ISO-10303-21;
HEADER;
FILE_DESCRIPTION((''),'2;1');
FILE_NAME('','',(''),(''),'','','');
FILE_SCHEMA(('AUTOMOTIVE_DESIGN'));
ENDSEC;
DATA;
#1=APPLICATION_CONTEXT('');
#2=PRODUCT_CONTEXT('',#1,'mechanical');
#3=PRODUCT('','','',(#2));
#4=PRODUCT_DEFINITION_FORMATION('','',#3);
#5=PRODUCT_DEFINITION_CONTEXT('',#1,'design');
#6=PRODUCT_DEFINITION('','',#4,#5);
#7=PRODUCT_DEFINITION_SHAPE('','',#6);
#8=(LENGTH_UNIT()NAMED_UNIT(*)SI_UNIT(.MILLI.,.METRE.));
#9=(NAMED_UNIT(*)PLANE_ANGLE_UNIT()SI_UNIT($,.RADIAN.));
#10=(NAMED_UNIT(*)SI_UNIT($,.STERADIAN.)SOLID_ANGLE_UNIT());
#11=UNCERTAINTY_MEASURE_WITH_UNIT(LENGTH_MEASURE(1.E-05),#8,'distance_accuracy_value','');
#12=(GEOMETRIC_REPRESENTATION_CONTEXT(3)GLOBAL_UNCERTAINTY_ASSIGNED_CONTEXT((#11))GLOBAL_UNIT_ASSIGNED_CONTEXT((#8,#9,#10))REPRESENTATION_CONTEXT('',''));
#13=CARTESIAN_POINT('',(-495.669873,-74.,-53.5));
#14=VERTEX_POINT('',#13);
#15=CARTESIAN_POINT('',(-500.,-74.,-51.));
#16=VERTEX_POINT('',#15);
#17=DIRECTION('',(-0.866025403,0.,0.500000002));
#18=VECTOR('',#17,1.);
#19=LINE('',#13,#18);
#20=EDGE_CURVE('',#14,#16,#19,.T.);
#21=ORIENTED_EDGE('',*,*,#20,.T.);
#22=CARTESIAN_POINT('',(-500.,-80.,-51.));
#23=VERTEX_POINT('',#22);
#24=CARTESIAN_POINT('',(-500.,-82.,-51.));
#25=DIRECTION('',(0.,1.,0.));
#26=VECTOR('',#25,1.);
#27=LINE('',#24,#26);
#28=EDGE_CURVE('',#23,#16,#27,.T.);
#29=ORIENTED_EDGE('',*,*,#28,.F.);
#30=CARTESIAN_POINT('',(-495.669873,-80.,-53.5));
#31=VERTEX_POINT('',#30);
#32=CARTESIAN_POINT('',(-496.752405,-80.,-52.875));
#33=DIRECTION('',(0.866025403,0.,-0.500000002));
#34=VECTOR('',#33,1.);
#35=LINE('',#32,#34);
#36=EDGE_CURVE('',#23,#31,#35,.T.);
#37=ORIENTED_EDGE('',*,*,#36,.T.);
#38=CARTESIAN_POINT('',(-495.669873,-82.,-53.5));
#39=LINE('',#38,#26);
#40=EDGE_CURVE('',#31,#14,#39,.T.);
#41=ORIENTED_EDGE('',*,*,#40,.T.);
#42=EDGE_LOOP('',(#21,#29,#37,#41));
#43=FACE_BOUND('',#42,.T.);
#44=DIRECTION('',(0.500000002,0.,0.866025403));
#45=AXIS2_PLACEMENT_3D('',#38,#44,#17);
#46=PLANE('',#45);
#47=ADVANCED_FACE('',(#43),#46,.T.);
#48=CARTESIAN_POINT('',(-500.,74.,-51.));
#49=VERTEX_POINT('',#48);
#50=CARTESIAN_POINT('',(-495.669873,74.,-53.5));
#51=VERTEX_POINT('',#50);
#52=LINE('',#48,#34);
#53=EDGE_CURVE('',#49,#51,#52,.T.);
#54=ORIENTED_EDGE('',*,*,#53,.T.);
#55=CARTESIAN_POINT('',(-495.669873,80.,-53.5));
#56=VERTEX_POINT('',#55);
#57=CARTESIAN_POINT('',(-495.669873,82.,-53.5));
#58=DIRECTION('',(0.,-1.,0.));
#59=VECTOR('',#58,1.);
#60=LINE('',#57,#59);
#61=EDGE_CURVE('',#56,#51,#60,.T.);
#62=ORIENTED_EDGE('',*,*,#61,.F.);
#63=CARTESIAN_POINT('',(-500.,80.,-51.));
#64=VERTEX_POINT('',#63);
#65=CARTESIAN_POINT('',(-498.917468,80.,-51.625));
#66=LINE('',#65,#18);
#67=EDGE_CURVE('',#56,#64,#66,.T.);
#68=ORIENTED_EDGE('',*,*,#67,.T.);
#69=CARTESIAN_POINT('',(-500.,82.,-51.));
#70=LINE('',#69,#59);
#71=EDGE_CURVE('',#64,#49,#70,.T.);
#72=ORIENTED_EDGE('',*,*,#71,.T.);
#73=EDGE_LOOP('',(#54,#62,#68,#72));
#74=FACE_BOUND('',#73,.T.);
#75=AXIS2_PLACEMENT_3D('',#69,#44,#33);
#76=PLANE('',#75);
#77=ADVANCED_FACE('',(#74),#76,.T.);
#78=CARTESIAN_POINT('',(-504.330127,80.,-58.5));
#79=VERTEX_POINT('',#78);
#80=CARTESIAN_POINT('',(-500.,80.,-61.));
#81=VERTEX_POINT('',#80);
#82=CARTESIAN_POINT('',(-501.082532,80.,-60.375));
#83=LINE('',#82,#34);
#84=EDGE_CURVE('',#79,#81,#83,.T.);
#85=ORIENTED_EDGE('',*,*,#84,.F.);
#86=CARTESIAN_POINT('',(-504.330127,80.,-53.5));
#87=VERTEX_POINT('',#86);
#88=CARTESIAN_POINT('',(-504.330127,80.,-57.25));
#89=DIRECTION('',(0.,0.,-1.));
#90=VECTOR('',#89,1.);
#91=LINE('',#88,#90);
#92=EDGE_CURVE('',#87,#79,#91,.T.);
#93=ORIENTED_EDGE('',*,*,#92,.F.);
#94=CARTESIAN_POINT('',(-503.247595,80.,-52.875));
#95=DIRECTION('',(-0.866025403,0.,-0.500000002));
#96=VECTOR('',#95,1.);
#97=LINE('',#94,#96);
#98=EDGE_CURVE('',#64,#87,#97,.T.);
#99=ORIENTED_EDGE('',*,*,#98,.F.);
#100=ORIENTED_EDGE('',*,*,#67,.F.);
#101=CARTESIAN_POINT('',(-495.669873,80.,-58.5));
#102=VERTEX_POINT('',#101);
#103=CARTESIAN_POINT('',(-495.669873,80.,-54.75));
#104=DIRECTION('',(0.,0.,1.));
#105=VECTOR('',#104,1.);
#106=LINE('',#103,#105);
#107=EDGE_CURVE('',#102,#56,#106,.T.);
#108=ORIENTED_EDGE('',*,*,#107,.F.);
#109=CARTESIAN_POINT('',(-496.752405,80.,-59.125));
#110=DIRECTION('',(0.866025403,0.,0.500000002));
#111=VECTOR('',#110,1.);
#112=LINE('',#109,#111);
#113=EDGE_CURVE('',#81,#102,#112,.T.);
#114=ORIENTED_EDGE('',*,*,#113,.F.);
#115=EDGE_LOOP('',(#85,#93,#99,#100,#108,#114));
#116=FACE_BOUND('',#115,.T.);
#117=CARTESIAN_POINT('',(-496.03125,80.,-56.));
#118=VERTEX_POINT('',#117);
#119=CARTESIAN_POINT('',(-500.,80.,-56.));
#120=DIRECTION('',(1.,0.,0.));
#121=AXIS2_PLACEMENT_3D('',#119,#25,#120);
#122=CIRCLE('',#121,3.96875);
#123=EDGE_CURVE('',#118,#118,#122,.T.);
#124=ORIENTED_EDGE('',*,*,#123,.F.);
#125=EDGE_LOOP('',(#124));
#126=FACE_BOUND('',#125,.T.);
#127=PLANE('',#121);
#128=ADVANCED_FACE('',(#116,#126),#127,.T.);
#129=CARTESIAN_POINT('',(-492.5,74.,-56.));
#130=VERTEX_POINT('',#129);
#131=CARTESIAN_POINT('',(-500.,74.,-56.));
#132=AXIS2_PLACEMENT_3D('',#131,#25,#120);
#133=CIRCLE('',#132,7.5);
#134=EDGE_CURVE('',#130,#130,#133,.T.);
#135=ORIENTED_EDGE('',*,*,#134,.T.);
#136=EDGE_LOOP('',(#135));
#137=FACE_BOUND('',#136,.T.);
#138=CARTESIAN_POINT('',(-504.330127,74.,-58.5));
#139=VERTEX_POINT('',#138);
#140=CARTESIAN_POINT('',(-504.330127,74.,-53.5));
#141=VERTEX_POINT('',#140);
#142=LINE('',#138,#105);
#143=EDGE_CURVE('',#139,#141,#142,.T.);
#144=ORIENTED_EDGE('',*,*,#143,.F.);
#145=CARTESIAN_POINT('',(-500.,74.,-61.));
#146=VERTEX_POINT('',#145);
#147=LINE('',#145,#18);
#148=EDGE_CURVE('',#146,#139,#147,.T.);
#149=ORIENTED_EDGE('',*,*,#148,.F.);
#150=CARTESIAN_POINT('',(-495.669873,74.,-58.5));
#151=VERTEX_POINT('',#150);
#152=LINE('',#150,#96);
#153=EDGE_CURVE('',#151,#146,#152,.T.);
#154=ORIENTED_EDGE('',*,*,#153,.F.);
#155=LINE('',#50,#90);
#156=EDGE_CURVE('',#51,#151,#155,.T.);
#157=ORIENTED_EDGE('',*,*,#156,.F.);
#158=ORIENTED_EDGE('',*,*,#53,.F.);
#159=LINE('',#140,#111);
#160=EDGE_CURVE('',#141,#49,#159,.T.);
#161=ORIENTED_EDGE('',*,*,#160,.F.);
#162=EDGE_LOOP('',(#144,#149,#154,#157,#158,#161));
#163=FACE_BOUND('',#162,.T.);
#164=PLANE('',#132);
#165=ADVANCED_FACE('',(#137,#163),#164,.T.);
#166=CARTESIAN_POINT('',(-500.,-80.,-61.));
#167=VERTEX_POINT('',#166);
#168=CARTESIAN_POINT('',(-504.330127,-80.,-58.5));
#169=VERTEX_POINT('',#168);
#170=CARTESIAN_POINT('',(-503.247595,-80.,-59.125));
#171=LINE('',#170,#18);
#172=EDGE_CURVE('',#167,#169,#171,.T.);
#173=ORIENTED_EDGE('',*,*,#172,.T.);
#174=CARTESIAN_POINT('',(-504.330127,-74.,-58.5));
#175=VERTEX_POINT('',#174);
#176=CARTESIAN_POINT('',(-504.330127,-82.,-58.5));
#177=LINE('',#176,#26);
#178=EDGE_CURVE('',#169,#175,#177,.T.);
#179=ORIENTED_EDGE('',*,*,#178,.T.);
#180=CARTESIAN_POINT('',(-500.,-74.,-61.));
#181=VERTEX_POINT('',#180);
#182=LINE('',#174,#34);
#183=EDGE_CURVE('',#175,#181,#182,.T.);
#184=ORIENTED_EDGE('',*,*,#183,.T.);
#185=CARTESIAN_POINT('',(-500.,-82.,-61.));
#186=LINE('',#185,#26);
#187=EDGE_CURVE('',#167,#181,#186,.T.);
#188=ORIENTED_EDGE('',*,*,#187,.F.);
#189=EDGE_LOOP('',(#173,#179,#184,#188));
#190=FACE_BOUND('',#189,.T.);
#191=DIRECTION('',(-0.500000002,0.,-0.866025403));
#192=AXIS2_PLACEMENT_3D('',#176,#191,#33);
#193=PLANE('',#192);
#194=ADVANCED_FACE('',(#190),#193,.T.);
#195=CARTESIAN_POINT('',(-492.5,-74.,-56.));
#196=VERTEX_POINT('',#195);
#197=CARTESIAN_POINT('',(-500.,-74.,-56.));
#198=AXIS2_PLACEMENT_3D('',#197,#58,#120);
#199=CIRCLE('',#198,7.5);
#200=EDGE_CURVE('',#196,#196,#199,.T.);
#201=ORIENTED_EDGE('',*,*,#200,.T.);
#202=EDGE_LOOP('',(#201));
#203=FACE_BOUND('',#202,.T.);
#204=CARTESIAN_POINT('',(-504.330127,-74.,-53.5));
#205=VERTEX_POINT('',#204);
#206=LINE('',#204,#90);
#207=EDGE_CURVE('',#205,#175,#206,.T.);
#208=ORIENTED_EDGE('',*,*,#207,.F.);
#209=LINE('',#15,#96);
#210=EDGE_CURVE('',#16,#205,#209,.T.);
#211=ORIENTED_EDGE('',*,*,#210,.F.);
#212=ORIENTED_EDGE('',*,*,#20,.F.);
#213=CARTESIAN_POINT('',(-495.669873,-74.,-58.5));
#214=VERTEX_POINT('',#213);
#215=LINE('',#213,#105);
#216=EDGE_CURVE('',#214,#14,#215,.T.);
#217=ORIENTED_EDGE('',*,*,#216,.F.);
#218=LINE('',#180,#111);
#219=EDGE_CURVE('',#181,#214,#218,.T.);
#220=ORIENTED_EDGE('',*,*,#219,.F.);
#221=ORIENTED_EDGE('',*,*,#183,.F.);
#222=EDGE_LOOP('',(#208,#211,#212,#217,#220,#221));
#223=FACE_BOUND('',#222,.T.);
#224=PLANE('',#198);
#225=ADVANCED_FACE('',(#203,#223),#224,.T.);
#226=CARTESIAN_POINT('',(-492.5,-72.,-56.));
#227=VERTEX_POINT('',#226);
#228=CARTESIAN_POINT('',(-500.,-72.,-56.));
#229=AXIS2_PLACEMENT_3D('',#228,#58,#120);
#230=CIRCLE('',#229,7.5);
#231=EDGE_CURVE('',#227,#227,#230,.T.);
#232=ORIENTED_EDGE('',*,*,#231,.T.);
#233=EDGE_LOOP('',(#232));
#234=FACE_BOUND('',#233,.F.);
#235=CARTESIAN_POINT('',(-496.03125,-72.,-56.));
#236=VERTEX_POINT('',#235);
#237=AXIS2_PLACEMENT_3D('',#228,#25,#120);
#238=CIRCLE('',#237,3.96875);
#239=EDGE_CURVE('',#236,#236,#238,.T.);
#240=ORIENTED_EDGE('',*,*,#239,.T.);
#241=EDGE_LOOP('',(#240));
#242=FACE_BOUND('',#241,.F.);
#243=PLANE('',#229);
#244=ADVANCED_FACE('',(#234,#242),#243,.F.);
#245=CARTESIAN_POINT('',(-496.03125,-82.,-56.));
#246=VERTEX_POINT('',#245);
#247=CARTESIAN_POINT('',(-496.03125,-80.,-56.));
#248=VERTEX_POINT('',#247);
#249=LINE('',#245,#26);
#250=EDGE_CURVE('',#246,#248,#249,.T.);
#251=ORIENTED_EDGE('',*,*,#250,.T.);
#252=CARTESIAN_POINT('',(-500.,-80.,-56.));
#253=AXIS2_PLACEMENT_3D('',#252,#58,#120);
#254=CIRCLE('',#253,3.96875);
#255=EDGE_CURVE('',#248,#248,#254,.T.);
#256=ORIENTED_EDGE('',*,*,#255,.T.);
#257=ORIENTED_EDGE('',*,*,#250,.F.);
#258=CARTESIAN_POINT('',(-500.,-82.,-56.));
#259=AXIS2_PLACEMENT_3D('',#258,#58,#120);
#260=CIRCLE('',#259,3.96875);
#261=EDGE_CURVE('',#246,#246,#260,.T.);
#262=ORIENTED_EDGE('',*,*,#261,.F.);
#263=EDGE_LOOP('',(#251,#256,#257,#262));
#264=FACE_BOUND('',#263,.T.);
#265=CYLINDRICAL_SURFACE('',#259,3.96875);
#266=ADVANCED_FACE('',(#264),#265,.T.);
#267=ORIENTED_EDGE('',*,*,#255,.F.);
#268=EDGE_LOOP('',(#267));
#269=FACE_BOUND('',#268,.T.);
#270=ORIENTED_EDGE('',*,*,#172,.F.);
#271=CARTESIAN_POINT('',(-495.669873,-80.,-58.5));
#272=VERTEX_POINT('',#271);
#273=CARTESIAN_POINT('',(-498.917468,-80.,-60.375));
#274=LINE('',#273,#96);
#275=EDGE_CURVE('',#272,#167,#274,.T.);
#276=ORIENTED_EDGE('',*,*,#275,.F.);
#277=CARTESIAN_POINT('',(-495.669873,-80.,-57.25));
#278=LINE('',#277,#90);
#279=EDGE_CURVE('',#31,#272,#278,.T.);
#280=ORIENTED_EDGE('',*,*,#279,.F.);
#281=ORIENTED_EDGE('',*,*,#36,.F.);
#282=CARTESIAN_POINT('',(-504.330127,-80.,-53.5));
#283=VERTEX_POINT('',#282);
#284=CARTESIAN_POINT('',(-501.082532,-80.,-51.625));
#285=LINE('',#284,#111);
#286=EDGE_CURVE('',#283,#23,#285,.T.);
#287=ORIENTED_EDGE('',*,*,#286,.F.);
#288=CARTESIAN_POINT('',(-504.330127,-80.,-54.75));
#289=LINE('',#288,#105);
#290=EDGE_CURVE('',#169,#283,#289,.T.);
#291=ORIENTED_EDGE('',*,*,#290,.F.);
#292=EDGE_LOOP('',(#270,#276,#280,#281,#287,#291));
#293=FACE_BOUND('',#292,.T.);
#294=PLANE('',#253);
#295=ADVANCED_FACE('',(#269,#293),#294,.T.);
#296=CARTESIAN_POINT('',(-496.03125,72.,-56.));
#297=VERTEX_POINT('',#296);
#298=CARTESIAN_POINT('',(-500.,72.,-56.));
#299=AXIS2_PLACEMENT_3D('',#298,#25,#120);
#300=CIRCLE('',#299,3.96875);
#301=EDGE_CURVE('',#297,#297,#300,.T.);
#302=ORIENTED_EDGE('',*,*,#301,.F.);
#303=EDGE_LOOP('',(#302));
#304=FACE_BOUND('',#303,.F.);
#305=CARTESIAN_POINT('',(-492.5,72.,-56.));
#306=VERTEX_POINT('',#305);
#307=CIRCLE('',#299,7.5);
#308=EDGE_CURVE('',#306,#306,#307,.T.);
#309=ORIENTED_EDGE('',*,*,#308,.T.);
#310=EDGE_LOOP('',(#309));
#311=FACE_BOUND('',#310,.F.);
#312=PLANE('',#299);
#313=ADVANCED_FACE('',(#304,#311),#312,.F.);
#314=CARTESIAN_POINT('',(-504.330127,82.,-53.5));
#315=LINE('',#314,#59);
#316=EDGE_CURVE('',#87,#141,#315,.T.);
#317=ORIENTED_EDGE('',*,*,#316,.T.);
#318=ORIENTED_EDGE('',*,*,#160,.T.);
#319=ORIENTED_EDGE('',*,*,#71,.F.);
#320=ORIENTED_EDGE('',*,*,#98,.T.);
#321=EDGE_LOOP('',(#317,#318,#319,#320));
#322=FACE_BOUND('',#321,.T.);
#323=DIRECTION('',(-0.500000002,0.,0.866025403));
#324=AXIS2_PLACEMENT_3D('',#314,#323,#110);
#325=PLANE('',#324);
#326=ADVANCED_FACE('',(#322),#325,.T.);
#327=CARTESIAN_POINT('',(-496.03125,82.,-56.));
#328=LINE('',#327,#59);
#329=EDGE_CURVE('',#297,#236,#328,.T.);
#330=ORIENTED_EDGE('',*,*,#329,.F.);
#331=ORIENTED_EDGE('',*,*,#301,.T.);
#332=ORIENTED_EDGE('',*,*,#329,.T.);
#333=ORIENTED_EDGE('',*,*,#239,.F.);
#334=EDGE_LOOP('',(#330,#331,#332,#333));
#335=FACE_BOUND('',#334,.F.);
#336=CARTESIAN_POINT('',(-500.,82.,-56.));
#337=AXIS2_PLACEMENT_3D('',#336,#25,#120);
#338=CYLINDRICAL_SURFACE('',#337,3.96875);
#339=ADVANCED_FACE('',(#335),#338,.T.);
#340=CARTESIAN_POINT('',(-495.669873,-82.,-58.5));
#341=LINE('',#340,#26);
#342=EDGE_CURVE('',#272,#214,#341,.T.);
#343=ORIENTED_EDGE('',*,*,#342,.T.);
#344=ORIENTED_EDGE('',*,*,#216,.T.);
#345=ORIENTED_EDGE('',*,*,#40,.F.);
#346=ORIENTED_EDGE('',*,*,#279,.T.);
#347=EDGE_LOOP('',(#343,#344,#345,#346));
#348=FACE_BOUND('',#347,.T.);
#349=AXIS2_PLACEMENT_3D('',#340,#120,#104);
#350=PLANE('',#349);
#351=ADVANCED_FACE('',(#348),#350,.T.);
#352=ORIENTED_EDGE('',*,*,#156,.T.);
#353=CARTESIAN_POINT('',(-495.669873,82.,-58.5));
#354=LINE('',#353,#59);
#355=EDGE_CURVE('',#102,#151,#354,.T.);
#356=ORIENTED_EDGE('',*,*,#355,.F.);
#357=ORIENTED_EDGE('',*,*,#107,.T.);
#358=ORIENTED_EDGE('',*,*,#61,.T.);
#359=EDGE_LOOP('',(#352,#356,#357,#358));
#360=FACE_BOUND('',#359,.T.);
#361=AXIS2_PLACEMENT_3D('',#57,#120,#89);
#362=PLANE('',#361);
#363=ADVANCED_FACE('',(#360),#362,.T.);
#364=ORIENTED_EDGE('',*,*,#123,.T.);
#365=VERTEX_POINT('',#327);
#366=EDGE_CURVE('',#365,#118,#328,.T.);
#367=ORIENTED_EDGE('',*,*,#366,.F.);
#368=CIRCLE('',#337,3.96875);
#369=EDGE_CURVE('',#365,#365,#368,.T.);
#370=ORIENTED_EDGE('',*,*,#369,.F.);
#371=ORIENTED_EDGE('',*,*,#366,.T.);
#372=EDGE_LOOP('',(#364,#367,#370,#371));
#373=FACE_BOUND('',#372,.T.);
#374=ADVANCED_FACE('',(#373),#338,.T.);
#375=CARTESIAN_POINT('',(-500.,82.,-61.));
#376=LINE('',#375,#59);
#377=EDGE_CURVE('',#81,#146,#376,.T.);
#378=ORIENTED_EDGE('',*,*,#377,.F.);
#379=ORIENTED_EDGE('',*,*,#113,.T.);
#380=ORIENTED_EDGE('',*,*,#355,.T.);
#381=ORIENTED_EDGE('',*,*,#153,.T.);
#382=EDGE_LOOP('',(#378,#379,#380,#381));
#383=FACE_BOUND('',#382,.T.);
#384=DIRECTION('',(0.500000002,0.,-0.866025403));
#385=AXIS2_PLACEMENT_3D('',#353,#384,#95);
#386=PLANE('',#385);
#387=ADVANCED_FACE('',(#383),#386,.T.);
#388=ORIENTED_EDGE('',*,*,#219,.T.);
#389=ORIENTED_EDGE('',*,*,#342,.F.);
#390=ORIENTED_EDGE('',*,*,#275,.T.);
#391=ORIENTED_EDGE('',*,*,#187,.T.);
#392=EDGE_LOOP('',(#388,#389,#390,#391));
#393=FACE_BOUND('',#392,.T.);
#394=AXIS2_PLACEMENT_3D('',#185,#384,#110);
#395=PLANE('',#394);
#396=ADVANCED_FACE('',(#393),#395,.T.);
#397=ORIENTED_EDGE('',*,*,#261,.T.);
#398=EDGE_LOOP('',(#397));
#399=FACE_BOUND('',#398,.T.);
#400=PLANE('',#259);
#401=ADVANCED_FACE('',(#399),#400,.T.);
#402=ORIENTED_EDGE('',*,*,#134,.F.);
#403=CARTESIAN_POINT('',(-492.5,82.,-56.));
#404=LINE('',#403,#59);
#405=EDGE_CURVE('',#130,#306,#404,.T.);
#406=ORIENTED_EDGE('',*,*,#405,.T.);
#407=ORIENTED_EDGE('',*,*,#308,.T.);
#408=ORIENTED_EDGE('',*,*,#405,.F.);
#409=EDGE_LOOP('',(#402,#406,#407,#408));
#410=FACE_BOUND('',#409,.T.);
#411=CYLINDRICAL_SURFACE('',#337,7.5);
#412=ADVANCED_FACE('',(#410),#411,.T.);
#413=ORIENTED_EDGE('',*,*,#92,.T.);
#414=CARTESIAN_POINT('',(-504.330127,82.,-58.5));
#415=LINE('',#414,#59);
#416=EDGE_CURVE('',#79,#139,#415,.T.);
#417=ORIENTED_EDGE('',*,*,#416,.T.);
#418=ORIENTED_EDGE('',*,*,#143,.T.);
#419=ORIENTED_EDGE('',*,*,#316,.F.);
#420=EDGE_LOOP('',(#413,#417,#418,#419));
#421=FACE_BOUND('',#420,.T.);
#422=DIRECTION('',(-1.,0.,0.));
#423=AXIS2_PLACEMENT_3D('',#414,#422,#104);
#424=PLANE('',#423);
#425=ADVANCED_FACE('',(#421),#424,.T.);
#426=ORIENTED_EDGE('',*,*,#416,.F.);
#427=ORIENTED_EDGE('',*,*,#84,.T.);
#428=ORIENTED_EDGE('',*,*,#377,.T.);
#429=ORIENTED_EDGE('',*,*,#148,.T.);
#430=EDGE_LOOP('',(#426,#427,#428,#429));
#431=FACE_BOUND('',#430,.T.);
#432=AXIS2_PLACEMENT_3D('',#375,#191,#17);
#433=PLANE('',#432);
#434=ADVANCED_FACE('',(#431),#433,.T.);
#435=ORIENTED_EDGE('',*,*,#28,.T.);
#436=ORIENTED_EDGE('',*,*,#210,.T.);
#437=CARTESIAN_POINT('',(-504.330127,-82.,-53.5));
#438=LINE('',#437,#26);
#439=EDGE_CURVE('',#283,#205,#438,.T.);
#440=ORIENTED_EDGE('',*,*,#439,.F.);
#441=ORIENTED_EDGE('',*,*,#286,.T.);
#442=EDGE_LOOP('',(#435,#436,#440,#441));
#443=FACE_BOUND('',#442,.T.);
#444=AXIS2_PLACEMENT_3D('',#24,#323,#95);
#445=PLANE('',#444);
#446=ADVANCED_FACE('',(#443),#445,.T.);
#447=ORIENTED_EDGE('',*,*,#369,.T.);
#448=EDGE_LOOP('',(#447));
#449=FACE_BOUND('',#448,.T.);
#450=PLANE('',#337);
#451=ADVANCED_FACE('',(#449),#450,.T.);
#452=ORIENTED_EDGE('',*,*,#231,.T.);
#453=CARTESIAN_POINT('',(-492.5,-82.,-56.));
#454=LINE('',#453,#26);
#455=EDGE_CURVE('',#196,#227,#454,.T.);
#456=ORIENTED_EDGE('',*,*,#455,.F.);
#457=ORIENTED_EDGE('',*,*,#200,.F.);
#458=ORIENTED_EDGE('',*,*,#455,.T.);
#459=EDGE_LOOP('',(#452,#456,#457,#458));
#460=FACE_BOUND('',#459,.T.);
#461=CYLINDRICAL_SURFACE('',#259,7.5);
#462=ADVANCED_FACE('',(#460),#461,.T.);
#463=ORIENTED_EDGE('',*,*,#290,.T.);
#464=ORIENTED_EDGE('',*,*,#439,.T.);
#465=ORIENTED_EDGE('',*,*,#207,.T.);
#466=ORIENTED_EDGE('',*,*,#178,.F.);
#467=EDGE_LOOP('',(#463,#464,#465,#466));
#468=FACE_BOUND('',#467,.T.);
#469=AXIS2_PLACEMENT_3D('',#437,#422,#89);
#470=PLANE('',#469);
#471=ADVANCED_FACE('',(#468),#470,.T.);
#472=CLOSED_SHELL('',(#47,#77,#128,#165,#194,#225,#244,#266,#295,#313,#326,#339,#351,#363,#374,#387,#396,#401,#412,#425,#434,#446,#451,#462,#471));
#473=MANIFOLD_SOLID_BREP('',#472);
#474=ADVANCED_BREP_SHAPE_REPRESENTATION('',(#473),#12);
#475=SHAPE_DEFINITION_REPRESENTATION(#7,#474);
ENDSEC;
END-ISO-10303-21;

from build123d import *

# Parameters (mm, degrees)
SKETCH013_R     = 3.96875
PAD009_DEPTH    = 164
SKETCH014_R     = 7.5
PAD010_DEPTH    = 10
SKETCH015_R     = 7.5
POCKET003_DEPTH = 8
SKETCH016_R     = 7.5
SKETCH016_R_2   = 3.96875
POCKET004_DEPTH = 2
SKETCH017_R     = 7.5
PAD011_DEPTH    = 10
SKETCH018_R     = 7.5
POCKET005_DEPTH = 8
SKETCH019_R     = 7.5
SKETCH019_R_2   = 3.96875
POCKET006_DEPTH = 2


with BuildPart() as part:
    # Sketch013 → Pad009 (new body)
    with BuildSketch(Plane(origin=(500, 82, 56), x_dir=(1, 0, 0), z_dir=(0, -1, 0))):
        Circle(SKETCH013_R)
    extrude(amount=PAD009_DEPTH)

    # Sketch014 → Pad010 (new body)
    with BuildSketch(Plane(origin=(500, 82, 56), x_dir=(1, 0, 0), z_dir=(0, 1, 0))):
        Circle(SKETCH014_R)
    extrude(amount=-PAD010_DEPTH)

    # Sketch015 → Pocket003 (cut)
    with BuildSketch(Plane(origin=(500, 82, 56), x_dir=(1, 0, 0), z_dir=(0, 1, 0))):
        Circle(SKETCH015_R)
        Polygon((0, 5), (-4.330127, 2.5), (-4.330127, -2.5), (0, -5), (4.330127, -2.5), (4.330127, 2.5), align=None, mode=Mode.SUBTRACT)
    extrude(amount=-POCKET003_DEPTH, mode=Mode.SUBTRACT)

    # Sketch016 → Pocket004 (cut)
    with BuildSketch(Plane(origin=(500, 82, 56), x_dir=(1, 0, 0), z_dir=(0, 1, 0))):
        Circle(SKETCH016_R)
        Circle(SKETCH016_R_2, mode=Mode.SUBTRACT)
    extrude(amount=-POCKET004_DEPTH, mode=Mode.SUBTRACT)

    # Sketch017 → Pad011 (new body)
    with BuildSketch(Plane(origin=(500, -82, 56), x_dir=(1, 0, 0), z_dir=(0, -1, 0))):
        Circle(SKETCH017_R)
    extrude(amount=-PAD011_DEPTH)

    # Sketch018 → Pocket005 (cut)
    with BuildSketch(Plane(origin=(500, -82, 56), x_dir=(1, 0, 0), z_dir=(0, -1, 0))):
        Circle(SKETCH018_R)
        Polygon((0, 5), (-4.330127, 2.5), (-4.330127, -2.5), (0, -5), (4.330127, -2.5), (4.330127, 2.5), align=None, mode=Mode.SUBTRACT)
    extrude(amount=-POCKET005_DEPTH, mode=Mode.SUBTRACT)

    # Sketch019 → Pocket006 (cut)
    with BuildSketch(Plane(origin=(500, -82, 56), x_dir=(1, 0, 0), z_dir=(0, -1, 0))):
        Circle(SKETCH019_R)
        Circle(SKETCH019_R_2, mode=Mode.SUBTRACT)
    extrude(amount=-POCKET006_DEPTH, mode=Mode.SUBTRACT)


with BuildPart() as part_1:
    # Clone021 placement: moved
    add(part.part.moved(Location((-1000, 0, -112))))


solid = part_1.part
